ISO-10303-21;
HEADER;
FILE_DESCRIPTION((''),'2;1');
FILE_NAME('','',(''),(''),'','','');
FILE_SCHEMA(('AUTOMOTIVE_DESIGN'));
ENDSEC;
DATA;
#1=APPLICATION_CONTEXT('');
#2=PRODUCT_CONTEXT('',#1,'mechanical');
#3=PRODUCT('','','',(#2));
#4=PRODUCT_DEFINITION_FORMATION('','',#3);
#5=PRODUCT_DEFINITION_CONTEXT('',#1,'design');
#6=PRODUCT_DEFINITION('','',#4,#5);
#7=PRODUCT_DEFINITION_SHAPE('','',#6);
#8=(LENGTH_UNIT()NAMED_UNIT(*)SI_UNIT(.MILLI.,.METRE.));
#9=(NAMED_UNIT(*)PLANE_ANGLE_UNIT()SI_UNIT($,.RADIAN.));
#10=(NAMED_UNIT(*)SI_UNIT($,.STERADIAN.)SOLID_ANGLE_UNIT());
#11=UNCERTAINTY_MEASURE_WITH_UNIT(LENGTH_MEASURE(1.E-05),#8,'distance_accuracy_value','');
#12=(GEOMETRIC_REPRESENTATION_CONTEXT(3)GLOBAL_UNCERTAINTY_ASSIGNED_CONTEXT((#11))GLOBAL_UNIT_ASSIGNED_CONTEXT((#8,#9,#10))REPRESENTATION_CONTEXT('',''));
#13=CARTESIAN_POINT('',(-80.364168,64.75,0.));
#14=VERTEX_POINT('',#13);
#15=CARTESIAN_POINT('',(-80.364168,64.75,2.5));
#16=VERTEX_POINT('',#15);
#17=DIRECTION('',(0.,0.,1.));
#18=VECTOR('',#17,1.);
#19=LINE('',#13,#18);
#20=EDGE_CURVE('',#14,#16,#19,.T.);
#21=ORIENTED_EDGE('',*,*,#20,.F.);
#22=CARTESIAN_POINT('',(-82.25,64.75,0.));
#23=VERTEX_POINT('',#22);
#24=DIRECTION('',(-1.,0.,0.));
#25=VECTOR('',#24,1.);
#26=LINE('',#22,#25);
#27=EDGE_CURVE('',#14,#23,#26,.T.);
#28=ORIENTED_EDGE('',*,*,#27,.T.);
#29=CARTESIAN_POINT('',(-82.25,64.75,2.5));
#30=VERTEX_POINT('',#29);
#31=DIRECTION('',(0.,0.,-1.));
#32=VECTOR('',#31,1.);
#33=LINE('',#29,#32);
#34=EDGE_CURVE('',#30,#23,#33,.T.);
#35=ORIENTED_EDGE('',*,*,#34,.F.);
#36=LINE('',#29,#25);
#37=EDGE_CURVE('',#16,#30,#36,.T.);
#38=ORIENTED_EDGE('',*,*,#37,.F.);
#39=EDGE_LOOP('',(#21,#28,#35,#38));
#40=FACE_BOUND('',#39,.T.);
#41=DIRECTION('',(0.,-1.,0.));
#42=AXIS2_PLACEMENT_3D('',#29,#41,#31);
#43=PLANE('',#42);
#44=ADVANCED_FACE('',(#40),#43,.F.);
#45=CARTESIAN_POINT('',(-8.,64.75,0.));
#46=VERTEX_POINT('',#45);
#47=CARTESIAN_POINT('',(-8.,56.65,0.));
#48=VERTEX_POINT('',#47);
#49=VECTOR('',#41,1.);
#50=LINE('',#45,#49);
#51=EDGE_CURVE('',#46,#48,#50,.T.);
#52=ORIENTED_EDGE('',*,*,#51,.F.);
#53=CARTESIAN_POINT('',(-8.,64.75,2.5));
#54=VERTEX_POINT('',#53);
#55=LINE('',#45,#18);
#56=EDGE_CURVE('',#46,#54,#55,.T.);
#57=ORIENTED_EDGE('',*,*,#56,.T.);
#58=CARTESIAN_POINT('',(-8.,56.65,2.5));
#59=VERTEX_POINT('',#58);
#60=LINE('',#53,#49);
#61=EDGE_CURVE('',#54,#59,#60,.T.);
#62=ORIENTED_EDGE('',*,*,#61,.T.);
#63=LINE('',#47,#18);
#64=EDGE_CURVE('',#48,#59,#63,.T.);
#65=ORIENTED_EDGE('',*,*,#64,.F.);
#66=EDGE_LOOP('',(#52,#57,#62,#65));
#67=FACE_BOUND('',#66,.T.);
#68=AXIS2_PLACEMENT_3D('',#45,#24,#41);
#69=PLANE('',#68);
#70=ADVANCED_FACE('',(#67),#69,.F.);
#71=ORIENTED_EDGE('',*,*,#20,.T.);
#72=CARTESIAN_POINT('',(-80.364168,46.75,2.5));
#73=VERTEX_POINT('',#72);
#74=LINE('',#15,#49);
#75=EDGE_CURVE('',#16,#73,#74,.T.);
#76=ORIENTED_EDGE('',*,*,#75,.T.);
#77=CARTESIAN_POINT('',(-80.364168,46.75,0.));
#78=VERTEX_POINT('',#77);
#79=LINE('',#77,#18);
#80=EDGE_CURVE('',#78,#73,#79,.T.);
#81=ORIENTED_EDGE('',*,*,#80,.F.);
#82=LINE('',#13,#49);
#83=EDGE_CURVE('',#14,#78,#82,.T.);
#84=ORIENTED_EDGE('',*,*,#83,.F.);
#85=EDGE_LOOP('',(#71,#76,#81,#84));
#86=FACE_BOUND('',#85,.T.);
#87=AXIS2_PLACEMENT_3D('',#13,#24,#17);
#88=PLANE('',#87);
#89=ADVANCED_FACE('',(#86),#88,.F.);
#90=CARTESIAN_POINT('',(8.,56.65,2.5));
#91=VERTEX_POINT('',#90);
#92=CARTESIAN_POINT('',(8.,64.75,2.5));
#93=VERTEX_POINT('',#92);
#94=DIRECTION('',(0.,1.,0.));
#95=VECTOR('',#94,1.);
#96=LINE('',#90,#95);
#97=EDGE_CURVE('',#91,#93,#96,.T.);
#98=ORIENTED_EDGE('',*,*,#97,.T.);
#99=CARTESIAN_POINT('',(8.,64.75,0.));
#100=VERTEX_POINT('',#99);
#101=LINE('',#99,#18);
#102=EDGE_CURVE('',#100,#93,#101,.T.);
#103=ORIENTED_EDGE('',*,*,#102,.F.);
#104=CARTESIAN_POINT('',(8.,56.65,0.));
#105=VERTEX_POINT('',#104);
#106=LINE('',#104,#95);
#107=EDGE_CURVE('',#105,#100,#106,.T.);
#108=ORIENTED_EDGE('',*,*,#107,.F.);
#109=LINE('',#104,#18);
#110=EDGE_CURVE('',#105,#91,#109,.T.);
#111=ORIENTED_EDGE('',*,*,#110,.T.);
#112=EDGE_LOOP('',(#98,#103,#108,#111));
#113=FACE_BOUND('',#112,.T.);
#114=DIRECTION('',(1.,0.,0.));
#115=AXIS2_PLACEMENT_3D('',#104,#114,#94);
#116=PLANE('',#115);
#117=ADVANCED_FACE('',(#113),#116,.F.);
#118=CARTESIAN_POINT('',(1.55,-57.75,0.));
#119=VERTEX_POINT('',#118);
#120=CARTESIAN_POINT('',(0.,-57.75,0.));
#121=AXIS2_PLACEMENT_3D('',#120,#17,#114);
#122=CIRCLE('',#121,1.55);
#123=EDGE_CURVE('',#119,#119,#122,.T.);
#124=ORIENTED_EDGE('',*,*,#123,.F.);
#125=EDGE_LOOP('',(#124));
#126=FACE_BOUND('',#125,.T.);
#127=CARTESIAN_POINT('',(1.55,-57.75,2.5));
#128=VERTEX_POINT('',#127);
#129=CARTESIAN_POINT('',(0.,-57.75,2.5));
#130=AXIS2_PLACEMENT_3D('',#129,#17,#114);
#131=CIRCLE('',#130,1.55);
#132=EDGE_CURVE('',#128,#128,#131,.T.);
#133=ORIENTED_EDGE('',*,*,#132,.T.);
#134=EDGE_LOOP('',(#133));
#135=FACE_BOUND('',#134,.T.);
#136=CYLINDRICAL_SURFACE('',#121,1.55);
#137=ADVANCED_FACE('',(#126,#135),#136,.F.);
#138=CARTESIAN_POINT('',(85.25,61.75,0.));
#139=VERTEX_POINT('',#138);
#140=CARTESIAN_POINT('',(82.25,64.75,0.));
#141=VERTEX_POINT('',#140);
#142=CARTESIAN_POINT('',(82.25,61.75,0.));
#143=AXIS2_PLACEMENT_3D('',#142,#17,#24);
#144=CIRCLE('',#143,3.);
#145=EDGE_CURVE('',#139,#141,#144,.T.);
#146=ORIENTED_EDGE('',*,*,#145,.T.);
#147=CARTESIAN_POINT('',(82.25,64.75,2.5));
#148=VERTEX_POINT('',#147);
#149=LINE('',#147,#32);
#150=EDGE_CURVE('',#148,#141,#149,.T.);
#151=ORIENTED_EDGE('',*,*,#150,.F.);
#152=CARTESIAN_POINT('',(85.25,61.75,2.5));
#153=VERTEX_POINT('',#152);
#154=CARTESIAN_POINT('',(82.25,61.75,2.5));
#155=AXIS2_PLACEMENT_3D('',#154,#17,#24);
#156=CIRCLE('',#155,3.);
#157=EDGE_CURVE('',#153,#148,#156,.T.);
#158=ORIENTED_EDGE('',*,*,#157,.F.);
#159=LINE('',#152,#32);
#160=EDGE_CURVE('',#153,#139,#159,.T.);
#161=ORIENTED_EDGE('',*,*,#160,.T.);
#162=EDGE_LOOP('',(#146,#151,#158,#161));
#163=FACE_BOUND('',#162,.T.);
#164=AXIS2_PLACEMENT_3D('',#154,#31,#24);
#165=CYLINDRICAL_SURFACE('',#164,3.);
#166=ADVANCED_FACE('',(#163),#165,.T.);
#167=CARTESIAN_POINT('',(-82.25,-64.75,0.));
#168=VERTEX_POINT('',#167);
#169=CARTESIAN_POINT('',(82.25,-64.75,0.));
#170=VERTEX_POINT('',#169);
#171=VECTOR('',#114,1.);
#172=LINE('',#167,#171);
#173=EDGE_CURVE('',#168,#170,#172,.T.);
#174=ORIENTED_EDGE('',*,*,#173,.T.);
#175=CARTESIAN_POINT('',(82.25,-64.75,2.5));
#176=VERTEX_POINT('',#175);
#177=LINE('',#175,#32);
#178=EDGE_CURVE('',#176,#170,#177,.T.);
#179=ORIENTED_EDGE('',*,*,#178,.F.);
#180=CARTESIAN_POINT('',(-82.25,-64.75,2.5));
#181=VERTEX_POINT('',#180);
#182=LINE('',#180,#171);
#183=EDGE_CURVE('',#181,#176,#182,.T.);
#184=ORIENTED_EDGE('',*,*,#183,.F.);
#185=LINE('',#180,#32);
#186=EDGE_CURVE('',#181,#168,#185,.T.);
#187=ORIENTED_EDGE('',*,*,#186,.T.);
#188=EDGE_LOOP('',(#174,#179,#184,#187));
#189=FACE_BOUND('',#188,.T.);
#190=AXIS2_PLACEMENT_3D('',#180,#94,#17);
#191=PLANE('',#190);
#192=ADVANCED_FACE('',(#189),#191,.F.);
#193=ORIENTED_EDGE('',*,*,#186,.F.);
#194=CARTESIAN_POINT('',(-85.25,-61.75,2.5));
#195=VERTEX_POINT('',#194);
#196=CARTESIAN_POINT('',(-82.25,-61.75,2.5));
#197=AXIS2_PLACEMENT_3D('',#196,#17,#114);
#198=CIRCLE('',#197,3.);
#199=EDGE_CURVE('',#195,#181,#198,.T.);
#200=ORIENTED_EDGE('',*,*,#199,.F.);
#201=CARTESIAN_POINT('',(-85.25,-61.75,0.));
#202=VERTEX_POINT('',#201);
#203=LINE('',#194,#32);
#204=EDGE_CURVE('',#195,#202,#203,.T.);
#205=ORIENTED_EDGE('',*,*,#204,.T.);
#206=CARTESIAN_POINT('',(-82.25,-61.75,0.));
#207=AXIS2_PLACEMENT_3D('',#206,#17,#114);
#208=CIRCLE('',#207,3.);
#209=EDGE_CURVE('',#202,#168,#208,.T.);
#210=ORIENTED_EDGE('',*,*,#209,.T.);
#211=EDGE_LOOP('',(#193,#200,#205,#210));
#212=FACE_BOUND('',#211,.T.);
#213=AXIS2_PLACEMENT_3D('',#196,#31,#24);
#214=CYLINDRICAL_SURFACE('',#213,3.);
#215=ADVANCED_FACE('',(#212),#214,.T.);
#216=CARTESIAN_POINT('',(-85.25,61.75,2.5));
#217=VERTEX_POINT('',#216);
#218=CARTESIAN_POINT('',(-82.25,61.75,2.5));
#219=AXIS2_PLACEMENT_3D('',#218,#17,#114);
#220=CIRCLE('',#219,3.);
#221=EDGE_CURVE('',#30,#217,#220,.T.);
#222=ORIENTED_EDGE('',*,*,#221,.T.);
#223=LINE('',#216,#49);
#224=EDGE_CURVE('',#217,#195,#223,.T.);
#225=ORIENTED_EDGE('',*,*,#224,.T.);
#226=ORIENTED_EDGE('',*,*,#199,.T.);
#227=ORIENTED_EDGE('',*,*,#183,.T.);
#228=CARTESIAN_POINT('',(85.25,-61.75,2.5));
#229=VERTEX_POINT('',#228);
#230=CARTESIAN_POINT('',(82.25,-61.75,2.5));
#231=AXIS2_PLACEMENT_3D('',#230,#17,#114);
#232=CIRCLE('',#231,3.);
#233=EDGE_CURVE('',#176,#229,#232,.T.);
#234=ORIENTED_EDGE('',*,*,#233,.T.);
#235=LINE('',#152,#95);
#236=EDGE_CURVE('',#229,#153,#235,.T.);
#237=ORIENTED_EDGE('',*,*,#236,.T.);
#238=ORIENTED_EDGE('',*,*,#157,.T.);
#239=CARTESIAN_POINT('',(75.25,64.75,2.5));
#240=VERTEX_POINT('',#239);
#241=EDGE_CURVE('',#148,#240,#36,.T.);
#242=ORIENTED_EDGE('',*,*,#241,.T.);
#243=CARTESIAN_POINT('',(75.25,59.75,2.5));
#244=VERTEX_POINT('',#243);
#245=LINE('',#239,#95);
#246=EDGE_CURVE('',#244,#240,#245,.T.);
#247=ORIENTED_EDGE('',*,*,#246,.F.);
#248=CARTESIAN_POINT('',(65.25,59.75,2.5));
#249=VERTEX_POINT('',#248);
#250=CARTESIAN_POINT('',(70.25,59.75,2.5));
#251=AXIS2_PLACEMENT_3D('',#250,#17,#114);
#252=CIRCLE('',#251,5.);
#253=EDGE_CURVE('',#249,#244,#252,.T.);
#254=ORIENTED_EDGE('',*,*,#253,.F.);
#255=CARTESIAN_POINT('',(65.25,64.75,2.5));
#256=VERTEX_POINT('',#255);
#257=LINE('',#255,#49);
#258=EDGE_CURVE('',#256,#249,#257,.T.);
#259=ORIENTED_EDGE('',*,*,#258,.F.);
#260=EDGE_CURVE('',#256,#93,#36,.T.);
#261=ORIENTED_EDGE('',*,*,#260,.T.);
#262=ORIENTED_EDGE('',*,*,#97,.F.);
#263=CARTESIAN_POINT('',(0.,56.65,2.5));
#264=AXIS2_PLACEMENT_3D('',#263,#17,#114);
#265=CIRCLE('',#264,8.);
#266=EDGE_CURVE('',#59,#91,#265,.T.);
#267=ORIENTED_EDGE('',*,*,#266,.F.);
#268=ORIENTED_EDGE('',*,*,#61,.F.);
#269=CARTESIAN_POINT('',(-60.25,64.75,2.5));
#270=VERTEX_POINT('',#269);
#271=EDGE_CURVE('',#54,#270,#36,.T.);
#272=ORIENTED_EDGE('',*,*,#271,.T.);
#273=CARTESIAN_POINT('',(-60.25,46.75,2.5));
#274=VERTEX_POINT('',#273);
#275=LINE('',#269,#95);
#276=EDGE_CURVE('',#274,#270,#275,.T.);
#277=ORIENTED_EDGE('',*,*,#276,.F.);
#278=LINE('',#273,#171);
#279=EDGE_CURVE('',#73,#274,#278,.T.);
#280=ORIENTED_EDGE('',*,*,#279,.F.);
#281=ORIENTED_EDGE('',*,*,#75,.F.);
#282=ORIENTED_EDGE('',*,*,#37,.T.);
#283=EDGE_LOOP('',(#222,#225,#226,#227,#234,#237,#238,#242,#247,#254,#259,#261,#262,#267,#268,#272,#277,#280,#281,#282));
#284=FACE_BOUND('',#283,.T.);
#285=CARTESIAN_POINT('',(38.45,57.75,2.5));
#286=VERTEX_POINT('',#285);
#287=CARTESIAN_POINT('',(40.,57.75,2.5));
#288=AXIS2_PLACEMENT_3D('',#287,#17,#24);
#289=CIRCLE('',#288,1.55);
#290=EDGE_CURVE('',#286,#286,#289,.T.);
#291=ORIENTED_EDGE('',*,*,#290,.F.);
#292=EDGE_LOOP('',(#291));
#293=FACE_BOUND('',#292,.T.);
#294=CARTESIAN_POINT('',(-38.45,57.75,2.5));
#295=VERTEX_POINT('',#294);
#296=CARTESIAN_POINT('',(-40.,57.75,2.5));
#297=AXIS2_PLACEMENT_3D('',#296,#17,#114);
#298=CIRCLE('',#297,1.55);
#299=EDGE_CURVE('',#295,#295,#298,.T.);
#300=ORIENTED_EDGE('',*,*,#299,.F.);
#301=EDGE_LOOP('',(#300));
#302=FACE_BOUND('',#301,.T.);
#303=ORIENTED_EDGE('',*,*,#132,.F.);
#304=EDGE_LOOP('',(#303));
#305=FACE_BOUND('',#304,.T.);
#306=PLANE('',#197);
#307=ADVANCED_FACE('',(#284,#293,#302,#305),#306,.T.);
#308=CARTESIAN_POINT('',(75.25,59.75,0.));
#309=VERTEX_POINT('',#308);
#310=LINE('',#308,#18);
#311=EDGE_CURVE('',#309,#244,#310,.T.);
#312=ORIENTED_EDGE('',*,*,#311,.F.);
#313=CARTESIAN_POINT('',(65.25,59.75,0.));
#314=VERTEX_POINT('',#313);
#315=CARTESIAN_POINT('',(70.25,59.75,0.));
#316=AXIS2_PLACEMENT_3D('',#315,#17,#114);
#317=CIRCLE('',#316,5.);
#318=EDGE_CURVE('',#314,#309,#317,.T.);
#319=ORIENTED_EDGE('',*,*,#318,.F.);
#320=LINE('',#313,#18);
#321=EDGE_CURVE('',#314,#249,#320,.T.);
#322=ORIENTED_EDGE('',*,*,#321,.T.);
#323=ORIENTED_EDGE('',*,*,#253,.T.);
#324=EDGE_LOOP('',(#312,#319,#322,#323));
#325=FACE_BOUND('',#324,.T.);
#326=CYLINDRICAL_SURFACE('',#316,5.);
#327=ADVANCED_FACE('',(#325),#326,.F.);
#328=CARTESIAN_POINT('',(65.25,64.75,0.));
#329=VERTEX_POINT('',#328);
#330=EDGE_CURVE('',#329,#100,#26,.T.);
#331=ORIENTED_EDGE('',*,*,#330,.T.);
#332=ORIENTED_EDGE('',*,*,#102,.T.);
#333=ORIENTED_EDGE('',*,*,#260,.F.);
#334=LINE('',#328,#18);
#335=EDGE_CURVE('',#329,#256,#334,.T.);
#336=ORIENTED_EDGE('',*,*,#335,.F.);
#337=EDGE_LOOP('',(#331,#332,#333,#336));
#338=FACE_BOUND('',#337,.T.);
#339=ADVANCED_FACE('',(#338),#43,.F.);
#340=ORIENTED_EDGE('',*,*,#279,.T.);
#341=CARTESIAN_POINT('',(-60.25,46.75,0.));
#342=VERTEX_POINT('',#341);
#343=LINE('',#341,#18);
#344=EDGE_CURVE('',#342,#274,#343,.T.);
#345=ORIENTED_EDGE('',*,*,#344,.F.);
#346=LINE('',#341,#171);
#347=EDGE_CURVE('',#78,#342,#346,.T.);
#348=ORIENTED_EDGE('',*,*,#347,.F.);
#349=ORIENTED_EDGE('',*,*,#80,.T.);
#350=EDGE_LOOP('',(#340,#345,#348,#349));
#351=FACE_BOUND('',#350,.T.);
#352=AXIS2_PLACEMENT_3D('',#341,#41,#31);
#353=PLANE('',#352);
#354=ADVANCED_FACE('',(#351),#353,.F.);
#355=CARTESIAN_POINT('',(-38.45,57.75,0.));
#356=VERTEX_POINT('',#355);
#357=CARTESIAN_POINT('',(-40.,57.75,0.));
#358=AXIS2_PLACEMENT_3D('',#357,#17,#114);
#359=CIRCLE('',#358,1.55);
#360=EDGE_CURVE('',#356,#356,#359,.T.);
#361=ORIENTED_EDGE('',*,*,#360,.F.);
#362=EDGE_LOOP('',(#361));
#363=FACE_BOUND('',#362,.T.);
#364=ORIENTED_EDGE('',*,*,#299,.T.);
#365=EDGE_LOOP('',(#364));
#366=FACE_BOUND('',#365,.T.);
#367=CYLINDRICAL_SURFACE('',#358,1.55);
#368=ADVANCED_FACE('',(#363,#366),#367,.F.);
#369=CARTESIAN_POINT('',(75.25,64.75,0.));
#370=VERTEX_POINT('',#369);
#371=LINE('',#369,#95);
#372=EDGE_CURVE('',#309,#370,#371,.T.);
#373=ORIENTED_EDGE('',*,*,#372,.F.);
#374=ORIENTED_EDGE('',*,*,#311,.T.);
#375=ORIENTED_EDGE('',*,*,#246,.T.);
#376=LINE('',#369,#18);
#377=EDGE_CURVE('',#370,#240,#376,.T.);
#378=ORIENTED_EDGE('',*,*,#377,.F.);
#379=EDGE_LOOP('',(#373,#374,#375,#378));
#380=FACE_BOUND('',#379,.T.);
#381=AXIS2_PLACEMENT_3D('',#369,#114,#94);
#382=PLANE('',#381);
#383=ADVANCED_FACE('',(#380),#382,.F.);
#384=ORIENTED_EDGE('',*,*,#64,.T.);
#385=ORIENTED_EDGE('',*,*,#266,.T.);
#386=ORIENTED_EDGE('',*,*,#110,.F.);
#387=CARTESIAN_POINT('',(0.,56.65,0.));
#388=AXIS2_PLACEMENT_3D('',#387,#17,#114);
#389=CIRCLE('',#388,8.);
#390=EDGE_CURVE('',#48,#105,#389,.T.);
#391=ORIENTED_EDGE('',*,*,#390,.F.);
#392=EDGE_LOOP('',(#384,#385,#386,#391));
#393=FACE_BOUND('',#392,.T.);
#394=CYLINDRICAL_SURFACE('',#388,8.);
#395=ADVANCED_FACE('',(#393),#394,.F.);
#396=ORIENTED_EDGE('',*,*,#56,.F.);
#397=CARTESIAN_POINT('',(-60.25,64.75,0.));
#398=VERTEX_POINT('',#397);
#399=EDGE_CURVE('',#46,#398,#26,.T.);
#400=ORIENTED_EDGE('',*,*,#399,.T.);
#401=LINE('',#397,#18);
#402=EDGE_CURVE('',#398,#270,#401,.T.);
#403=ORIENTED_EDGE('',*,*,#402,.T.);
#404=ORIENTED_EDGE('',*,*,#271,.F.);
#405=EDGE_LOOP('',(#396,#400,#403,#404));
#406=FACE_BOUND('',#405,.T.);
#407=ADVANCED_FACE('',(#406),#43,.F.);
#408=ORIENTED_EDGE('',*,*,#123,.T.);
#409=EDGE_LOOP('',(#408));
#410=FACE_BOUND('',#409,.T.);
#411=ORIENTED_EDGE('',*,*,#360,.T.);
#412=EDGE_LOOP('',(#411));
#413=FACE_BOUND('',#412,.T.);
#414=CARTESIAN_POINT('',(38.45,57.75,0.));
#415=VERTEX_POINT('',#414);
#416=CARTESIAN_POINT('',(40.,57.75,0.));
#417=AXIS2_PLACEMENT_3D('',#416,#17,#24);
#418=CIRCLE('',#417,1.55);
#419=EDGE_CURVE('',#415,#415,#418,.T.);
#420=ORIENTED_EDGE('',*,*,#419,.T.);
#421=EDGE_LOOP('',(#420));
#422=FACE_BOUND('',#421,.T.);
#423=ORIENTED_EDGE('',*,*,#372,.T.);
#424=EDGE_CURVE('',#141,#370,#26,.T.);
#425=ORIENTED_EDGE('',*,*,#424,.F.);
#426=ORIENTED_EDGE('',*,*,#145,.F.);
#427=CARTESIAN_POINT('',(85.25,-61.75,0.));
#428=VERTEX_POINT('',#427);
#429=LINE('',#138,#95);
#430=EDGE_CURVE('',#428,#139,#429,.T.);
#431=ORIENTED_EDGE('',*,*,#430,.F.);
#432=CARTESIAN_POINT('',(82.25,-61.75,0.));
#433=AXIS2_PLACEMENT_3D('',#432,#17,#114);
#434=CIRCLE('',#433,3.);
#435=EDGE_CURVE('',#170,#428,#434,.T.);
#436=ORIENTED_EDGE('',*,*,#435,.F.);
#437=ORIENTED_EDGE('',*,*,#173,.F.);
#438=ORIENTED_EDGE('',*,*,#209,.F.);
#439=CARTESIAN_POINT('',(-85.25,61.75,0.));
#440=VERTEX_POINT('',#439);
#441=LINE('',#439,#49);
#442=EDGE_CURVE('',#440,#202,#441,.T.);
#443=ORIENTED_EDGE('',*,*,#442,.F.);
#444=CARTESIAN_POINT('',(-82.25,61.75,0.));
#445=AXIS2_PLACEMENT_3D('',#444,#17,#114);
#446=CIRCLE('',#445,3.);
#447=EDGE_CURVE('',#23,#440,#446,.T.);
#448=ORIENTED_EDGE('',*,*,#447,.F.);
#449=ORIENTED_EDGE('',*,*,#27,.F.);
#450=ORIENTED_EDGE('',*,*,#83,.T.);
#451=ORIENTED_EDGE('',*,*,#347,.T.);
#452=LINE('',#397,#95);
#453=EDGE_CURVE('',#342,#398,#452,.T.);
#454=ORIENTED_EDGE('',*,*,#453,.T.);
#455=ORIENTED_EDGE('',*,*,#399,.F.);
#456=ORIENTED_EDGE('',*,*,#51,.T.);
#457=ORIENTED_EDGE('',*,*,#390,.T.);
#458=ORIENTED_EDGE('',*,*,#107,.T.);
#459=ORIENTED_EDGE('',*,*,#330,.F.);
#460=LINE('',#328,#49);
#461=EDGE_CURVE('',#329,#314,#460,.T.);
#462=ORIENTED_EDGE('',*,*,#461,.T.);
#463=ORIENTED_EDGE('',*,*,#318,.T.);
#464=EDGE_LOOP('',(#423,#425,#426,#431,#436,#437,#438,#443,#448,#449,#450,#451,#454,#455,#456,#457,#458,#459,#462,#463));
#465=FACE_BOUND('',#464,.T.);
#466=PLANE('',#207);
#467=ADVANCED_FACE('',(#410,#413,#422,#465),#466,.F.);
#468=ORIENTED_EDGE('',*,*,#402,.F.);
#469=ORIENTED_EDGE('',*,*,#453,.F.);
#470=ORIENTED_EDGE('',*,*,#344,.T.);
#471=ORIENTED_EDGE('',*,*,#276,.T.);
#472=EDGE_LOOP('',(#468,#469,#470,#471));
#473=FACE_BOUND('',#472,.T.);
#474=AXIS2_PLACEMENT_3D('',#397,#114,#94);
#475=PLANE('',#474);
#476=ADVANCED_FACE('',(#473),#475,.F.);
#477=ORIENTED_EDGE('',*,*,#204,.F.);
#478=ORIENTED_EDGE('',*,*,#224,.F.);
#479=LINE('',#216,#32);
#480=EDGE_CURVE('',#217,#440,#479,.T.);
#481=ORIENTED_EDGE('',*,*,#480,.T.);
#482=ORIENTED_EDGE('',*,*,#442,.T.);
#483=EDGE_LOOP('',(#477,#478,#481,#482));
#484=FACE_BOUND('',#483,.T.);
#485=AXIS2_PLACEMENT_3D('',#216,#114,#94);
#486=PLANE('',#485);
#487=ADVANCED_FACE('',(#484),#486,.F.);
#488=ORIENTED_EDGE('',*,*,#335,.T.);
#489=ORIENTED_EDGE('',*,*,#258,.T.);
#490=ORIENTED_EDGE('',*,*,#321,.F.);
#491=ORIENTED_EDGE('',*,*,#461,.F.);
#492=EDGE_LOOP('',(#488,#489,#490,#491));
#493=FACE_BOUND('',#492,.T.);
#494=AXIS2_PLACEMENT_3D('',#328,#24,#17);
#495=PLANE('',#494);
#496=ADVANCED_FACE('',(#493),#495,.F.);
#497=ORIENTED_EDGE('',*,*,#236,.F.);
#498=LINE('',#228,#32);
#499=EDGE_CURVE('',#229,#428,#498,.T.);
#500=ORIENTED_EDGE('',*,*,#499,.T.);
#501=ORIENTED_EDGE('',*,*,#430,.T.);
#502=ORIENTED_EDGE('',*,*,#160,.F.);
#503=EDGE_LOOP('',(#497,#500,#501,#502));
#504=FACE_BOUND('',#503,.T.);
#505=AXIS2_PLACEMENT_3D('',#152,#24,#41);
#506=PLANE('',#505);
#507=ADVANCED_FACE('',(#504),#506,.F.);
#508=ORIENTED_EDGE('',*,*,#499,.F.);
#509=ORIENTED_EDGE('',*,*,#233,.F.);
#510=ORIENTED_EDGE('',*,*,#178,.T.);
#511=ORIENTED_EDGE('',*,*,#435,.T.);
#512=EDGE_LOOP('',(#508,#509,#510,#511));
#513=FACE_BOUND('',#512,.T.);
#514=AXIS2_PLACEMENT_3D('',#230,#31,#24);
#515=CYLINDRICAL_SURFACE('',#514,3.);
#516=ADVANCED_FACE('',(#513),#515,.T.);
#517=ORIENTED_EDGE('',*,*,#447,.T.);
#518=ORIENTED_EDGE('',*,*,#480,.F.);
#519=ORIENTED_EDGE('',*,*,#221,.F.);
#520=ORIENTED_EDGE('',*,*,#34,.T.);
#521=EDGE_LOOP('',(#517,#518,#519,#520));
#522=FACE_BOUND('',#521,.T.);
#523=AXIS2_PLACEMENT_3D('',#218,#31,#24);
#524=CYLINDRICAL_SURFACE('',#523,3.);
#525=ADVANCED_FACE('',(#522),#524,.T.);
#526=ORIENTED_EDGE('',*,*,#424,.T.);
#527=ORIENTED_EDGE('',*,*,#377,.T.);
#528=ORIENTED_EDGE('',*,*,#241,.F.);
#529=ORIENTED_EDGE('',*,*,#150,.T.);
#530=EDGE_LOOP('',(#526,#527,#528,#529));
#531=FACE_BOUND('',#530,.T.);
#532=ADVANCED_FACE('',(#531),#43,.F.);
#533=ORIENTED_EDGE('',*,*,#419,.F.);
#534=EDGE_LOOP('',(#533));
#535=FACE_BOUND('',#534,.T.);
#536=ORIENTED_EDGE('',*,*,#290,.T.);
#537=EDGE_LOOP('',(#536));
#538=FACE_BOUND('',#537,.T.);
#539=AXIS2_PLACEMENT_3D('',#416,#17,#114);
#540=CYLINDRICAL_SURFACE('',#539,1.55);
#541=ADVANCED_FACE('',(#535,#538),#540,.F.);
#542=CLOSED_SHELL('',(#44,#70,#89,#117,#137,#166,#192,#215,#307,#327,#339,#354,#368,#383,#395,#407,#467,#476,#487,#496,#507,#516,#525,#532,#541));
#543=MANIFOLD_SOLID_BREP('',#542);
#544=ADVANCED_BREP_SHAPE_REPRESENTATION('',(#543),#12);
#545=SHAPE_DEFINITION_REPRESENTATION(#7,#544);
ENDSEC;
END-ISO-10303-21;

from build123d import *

# Parameters (mm, degrees)
RESSALTO_EXTRUS_O1_DEPTH = 2.5
ESBO_O2_R                = 1.55
ESBO_O2_W                = 20.114167529
ESBO_O2_H                = 18
CORTE_EXTRUS_O1_DEPTH    = 3.5


with BuildPart() as part:
    # Esboço1 → Ressalto-extrusão1 (new body)
    with BuildSketch(Plane.XY):
        with BuildLine():
            Line((-82.25, 64.75), (82.25, 64.75))
            ThreePointArc((82.25, 64.75), (84.371320344, 63.871320344), (85.25, 61.75))
            Line((85.25, 61.75), (85.25, -61.75))
            ThreePointArc((85.25, -61.75), (84.371320344, -63.871320344), (82.25, -64.75))
            Line((82.25, -64.75), (-82.25, -64.75))
            ThreePointArc((-82.25, -64.75), (-84.371320344, -63.871320344), (-85.25, -61.75))
            Line((-85.25, -61.75), (-85.25, 61.75))
            ThreePointArc((-85.25, 61.75), (-84.371320344, 63.871320344), (-82.25, 64.75))
        make_face()
    extrude(amount=RESSALTO_EXTRUS_O1_DEPTH)

    # Esboço2 → Corte-extrusão1 (cut, through all)
    with BuildSketch(Plane.XY.offset(2.5)):
        with Locations((0, -57.75)):
            Circle(ESBO_O2_R)
        with Locations((-40, 57.75)):
            Circle(ESBO_O2_R)
        with Locations((40, 57.75)):
            Circle(ESBO_O2_R)
        with BuildLine():
            Line((8, 56.65), (8, 64.75))
            Line((8, 64.75), (-8, 64.75))
            Line((-8, 64.75), (-8, 56.65))
            ThreePointArc((-8, 56.65), (0, 48.65), (8, 56.65))
        make_face()
        with Locations((-70.307083765, 55.75)):
            Rectangle(ESBO_O2_W, ESBO_O2_H)
        with BuildLine():
            Line((65.25, 64.75), (75.25, 64.75))
            Line((75.25, 64.75), (75.25, 59.75))
            ThreePointArc((75.25, 59.75), (70.25, 54.75), (65.25, 59.75))
            Line((65.25, 59.75), (65.25, 64.75))
        make_face()
    extrude(amount=-CORTE_EXTRUS_O1_DEPTH, mode=Mode.SUBTRACT)


solid = part.part
